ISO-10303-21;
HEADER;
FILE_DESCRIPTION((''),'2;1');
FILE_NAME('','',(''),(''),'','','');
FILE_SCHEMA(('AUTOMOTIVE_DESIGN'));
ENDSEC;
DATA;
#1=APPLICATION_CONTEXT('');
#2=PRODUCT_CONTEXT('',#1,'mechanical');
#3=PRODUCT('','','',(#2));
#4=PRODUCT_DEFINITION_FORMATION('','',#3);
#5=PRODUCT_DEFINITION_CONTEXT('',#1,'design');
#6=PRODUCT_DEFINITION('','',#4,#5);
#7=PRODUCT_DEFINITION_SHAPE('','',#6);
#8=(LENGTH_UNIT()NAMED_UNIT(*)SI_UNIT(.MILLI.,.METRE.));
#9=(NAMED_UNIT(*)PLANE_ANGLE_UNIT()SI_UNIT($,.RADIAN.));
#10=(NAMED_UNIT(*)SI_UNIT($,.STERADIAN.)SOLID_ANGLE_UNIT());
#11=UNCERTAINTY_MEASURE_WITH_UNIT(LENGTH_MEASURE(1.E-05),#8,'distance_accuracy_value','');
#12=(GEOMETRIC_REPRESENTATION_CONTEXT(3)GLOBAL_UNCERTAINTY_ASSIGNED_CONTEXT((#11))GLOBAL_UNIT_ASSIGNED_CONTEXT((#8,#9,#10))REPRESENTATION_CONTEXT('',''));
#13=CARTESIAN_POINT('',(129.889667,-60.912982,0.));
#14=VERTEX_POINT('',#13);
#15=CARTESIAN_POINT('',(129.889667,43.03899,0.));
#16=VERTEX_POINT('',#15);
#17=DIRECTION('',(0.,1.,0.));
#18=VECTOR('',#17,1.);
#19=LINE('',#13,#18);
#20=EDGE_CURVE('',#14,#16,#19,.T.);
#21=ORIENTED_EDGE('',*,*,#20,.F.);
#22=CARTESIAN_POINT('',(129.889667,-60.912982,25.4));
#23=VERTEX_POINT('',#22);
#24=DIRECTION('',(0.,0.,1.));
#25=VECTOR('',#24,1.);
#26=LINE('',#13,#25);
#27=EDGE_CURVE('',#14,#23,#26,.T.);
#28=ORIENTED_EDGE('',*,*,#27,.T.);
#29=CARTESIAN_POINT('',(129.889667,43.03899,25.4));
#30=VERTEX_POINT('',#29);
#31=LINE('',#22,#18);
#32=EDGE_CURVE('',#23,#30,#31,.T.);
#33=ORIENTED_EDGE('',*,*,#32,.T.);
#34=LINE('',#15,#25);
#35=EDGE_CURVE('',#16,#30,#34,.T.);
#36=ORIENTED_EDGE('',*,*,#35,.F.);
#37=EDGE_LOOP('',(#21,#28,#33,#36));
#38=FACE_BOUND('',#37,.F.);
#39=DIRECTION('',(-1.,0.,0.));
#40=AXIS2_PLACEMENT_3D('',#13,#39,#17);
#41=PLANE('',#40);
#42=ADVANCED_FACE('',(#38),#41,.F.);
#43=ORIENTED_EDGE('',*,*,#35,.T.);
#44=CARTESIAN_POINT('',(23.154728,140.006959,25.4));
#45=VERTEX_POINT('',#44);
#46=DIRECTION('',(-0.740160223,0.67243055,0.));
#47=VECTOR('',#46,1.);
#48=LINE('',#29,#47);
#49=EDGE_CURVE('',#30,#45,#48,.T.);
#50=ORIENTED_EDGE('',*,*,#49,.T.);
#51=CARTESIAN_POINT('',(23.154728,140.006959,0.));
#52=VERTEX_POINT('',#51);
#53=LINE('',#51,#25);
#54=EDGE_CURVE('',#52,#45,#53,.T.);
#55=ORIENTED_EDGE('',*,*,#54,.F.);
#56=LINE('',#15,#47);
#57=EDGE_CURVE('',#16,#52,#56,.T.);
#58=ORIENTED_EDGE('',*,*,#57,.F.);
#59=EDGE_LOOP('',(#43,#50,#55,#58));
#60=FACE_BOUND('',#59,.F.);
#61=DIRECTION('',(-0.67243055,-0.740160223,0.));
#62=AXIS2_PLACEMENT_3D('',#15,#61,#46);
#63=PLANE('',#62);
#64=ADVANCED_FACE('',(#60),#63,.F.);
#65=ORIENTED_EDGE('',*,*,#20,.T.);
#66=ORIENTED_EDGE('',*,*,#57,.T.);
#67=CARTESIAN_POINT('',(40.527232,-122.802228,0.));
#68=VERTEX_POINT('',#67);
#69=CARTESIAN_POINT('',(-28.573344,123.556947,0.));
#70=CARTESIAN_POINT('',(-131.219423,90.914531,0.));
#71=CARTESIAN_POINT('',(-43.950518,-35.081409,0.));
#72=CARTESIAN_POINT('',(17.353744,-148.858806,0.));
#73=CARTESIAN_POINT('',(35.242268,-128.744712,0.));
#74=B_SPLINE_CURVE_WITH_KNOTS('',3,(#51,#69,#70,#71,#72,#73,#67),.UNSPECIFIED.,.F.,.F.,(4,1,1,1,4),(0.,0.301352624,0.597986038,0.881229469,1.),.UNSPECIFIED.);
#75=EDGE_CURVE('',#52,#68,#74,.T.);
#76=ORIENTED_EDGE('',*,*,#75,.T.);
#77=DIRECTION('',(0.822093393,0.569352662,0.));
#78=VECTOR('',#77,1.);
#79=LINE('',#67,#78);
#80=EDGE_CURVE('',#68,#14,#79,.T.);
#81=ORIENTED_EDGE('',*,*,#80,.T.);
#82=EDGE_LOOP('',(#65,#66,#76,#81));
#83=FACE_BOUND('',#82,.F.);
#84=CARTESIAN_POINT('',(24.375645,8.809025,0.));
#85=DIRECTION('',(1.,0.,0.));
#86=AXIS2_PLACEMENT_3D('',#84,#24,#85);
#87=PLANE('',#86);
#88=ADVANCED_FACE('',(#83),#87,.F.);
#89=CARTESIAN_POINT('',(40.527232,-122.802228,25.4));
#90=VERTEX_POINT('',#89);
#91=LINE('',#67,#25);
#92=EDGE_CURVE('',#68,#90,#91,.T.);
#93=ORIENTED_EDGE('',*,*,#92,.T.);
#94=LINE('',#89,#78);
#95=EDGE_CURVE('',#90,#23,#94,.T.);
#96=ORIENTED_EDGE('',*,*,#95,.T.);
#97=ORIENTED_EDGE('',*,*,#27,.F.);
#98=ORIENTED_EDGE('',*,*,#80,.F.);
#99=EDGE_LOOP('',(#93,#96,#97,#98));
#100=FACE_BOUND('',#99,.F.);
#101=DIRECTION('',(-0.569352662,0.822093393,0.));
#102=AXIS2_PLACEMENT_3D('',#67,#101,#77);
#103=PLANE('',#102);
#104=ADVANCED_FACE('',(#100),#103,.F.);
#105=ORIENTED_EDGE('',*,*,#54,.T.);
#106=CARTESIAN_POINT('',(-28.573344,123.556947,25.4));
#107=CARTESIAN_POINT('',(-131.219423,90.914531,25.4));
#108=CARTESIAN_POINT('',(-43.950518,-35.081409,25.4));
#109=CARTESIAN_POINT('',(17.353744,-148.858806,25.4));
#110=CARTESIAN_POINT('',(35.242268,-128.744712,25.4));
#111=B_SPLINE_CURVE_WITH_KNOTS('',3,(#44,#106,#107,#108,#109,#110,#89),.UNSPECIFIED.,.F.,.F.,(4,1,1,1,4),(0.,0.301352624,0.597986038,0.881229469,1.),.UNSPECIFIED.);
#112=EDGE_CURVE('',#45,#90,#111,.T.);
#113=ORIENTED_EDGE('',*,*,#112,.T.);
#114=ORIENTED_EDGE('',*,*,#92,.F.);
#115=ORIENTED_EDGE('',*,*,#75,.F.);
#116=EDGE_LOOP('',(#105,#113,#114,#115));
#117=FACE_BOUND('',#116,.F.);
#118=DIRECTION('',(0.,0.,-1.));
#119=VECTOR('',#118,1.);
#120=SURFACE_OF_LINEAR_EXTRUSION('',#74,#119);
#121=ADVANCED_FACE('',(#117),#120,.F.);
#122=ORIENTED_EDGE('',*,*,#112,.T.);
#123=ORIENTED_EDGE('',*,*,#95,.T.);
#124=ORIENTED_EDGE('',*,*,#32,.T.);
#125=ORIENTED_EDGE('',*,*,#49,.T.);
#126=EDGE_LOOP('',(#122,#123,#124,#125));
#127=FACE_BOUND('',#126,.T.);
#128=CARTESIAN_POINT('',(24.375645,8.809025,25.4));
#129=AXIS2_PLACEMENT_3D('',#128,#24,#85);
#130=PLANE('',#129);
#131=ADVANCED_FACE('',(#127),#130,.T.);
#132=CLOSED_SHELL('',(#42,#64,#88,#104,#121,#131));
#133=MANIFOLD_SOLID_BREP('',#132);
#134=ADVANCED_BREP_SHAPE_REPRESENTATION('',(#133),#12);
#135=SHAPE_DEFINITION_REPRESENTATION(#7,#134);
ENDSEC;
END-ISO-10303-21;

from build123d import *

# Parameters (mm, degrees)
F1_DEPTH = 25.4


with BuildPart() as f1:
    # F0 (on Top) → F1 (new body)
    with BuildSketch(Plane.XY):
        with BuildLine():
            add(Edge.make_bspline(
                [(23.1547281146, 140.0069594383), (-28.5733442737, 123.5569471095), (-131.2194228981, 90.9145310882), (-43.9505176555, -35.0814091101), (17.3537438249, -148.8588060101), (35.2422676025, -128.7447119781), (40.5272319913, -122.8022277355)],
                knots=[0, 0, 0, 0, 0.3013526235, 0.5979860384, 0.8812294688, 1, 1, 1, 1], degree=3))
            Line((40.5272319913, -122.8022277355), (129.8896670341, -60.9129816294))
            Line((129.8896670341, -60.9129816294), (129.8896670341, 43.0389903486))
            Line((129.8896670341, 43.0389903486), (23.1547281146, 140.0069594383))
        make_face()
    extrude(amount=F1_DEPTH)


solid = f1.part
